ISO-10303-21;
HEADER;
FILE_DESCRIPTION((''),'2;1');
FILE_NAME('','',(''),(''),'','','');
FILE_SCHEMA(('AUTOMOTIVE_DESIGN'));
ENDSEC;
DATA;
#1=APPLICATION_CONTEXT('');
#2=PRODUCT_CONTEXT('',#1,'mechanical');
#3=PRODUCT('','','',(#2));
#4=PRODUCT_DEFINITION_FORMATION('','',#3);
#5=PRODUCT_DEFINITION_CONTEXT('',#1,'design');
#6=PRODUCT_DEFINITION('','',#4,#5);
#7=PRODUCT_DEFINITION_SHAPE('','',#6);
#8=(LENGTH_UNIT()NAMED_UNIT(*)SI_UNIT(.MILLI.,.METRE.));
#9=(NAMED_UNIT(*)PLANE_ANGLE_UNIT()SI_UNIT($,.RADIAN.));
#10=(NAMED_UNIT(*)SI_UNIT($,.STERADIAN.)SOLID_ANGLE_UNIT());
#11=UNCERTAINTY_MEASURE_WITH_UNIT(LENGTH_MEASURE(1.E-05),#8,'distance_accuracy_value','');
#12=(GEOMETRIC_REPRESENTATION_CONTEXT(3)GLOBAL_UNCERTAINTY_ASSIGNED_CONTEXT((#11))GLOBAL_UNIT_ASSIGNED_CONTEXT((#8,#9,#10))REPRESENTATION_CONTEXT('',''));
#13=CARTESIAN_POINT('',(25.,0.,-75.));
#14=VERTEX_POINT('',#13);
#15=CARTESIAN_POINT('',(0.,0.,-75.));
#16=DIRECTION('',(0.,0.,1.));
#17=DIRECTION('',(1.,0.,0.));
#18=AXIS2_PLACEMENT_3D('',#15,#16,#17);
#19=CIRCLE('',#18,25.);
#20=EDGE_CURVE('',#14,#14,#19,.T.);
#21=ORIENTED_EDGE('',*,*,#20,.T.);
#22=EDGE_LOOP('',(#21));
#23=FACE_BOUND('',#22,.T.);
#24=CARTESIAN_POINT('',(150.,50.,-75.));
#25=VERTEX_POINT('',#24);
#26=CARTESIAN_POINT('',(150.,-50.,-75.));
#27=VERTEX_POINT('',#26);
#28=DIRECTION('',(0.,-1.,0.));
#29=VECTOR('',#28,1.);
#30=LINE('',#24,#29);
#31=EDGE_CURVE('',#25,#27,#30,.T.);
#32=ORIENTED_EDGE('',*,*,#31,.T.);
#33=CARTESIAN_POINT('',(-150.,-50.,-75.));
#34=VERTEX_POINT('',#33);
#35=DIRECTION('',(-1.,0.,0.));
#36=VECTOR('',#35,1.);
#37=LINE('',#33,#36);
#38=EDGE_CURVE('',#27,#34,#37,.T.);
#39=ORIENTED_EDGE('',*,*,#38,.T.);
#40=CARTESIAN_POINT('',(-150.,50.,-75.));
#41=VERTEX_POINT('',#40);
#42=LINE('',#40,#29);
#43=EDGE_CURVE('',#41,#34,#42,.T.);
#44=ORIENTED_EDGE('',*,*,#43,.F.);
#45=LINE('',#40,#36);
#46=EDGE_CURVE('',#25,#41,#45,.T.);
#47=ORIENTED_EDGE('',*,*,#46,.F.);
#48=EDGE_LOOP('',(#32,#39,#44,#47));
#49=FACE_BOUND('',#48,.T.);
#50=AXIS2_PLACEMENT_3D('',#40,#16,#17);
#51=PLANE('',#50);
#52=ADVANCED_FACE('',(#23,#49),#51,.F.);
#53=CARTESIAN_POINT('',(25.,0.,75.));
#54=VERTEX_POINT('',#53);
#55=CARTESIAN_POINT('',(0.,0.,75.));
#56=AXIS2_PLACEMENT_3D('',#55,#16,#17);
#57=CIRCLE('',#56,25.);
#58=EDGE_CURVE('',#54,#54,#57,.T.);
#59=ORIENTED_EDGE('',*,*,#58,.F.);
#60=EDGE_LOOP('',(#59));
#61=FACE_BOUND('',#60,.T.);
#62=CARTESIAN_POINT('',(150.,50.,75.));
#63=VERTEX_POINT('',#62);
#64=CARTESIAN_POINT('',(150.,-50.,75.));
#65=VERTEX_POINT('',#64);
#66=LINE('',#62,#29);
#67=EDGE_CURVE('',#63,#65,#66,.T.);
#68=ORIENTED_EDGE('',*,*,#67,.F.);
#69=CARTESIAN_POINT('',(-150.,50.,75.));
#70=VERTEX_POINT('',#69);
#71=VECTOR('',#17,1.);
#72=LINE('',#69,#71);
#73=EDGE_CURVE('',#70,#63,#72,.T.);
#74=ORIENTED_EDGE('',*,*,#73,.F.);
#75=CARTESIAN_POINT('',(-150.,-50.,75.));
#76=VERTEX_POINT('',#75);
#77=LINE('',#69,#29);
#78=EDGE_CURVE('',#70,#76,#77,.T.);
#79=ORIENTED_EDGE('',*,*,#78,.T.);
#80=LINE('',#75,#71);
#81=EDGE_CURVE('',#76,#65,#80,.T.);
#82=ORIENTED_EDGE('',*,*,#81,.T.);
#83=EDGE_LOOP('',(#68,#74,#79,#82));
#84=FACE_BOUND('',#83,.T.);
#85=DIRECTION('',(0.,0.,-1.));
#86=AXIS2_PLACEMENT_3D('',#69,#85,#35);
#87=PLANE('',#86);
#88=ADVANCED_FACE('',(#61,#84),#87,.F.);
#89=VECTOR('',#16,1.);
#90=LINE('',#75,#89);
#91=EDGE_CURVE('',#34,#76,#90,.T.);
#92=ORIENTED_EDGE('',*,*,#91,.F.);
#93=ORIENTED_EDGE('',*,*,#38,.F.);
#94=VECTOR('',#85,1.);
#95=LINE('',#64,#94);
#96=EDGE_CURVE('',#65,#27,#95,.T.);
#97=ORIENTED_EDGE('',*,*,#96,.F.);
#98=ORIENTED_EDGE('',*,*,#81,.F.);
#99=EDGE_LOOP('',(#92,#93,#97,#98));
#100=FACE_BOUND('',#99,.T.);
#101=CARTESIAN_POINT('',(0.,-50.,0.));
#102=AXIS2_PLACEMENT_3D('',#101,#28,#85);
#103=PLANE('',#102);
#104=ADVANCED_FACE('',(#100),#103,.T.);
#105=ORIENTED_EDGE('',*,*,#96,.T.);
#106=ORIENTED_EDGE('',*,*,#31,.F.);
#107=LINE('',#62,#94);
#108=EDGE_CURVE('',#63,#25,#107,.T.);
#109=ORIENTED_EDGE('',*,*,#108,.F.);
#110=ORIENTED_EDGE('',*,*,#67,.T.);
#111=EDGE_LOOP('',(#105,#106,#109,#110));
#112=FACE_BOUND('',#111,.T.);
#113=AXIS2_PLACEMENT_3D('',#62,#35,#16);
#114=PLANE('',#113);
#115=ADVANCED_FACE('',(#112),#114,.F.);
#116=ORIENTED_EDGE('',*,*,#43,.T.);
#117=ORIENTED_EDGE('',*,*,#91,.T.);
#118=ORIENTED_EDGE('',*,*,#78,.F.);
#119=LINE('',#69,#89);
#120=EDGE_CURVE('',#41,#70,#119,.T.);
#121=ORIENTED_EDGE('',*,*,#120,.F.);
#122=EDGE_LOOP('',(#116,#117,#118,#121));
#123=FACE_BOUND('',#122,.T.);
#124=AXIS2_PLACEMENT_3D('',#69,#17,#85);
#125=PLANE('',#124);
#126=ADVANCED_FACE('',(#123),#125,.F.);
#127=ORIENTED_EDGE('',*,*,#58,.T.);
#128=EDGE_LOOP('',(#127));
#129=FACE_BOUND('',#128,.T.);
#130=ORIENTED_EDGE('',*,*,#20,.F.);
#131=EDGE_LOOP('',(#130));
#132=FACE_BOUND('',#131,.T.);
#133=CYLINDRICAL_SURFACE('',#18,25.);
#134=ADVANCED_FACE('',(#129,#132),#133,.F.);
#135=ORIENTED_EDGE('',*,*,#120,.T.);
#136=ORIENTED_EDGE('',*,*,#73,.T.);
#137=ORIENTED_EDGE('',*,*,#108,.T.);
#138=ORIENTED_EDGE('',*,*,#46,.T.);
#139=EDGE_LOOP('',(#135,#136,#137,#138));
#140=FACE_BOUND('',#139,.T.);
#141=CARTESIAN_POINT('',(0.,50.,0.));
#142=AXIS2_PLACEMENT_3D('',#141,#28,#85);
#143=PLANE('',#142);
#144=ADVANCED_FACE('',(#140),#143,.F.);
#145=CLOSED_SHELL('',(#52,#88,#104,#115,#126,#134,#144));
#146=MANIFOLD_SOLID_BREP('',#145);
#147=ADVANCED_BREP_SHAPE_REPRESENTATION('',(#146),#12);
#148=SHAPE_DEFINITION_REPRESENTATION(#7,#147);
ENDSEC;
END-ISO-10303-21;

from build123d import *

# Parameters (mm, degrees)
SKETCH1_W           = 300
SKETCH1_H           = 150
BOSS_EXTRUDE1_DEPTH = 50
SKETCH2_R           = 25
CUT_EXTRUDE1_DEPTH  = 151


with BuildPart() as part:
    # Sketch1 → Boss-Extrude1 (new body, symmetric)
    with BuildSketch(Plane(origin=(0, 0, 0), x_dir=(1, 0, 0), z_dir=(0, 1, 0))):
        Rectangle(SKETCH1_W, SKETCH1_H)
    extrude(amount=BOSS_EXTRUDE1_DEPTH, both=True)

    # Sketch2 → Cut-Extrude1 (cut, through all)
    with BuildSketch(Plane.XY.offset(75)):
        Circle(SKETCH2_R)
    extrude(amount=-CUT_EXTRUDE1_DEPTH, mode=Mode.SUBTRACT)


solid = part.part
